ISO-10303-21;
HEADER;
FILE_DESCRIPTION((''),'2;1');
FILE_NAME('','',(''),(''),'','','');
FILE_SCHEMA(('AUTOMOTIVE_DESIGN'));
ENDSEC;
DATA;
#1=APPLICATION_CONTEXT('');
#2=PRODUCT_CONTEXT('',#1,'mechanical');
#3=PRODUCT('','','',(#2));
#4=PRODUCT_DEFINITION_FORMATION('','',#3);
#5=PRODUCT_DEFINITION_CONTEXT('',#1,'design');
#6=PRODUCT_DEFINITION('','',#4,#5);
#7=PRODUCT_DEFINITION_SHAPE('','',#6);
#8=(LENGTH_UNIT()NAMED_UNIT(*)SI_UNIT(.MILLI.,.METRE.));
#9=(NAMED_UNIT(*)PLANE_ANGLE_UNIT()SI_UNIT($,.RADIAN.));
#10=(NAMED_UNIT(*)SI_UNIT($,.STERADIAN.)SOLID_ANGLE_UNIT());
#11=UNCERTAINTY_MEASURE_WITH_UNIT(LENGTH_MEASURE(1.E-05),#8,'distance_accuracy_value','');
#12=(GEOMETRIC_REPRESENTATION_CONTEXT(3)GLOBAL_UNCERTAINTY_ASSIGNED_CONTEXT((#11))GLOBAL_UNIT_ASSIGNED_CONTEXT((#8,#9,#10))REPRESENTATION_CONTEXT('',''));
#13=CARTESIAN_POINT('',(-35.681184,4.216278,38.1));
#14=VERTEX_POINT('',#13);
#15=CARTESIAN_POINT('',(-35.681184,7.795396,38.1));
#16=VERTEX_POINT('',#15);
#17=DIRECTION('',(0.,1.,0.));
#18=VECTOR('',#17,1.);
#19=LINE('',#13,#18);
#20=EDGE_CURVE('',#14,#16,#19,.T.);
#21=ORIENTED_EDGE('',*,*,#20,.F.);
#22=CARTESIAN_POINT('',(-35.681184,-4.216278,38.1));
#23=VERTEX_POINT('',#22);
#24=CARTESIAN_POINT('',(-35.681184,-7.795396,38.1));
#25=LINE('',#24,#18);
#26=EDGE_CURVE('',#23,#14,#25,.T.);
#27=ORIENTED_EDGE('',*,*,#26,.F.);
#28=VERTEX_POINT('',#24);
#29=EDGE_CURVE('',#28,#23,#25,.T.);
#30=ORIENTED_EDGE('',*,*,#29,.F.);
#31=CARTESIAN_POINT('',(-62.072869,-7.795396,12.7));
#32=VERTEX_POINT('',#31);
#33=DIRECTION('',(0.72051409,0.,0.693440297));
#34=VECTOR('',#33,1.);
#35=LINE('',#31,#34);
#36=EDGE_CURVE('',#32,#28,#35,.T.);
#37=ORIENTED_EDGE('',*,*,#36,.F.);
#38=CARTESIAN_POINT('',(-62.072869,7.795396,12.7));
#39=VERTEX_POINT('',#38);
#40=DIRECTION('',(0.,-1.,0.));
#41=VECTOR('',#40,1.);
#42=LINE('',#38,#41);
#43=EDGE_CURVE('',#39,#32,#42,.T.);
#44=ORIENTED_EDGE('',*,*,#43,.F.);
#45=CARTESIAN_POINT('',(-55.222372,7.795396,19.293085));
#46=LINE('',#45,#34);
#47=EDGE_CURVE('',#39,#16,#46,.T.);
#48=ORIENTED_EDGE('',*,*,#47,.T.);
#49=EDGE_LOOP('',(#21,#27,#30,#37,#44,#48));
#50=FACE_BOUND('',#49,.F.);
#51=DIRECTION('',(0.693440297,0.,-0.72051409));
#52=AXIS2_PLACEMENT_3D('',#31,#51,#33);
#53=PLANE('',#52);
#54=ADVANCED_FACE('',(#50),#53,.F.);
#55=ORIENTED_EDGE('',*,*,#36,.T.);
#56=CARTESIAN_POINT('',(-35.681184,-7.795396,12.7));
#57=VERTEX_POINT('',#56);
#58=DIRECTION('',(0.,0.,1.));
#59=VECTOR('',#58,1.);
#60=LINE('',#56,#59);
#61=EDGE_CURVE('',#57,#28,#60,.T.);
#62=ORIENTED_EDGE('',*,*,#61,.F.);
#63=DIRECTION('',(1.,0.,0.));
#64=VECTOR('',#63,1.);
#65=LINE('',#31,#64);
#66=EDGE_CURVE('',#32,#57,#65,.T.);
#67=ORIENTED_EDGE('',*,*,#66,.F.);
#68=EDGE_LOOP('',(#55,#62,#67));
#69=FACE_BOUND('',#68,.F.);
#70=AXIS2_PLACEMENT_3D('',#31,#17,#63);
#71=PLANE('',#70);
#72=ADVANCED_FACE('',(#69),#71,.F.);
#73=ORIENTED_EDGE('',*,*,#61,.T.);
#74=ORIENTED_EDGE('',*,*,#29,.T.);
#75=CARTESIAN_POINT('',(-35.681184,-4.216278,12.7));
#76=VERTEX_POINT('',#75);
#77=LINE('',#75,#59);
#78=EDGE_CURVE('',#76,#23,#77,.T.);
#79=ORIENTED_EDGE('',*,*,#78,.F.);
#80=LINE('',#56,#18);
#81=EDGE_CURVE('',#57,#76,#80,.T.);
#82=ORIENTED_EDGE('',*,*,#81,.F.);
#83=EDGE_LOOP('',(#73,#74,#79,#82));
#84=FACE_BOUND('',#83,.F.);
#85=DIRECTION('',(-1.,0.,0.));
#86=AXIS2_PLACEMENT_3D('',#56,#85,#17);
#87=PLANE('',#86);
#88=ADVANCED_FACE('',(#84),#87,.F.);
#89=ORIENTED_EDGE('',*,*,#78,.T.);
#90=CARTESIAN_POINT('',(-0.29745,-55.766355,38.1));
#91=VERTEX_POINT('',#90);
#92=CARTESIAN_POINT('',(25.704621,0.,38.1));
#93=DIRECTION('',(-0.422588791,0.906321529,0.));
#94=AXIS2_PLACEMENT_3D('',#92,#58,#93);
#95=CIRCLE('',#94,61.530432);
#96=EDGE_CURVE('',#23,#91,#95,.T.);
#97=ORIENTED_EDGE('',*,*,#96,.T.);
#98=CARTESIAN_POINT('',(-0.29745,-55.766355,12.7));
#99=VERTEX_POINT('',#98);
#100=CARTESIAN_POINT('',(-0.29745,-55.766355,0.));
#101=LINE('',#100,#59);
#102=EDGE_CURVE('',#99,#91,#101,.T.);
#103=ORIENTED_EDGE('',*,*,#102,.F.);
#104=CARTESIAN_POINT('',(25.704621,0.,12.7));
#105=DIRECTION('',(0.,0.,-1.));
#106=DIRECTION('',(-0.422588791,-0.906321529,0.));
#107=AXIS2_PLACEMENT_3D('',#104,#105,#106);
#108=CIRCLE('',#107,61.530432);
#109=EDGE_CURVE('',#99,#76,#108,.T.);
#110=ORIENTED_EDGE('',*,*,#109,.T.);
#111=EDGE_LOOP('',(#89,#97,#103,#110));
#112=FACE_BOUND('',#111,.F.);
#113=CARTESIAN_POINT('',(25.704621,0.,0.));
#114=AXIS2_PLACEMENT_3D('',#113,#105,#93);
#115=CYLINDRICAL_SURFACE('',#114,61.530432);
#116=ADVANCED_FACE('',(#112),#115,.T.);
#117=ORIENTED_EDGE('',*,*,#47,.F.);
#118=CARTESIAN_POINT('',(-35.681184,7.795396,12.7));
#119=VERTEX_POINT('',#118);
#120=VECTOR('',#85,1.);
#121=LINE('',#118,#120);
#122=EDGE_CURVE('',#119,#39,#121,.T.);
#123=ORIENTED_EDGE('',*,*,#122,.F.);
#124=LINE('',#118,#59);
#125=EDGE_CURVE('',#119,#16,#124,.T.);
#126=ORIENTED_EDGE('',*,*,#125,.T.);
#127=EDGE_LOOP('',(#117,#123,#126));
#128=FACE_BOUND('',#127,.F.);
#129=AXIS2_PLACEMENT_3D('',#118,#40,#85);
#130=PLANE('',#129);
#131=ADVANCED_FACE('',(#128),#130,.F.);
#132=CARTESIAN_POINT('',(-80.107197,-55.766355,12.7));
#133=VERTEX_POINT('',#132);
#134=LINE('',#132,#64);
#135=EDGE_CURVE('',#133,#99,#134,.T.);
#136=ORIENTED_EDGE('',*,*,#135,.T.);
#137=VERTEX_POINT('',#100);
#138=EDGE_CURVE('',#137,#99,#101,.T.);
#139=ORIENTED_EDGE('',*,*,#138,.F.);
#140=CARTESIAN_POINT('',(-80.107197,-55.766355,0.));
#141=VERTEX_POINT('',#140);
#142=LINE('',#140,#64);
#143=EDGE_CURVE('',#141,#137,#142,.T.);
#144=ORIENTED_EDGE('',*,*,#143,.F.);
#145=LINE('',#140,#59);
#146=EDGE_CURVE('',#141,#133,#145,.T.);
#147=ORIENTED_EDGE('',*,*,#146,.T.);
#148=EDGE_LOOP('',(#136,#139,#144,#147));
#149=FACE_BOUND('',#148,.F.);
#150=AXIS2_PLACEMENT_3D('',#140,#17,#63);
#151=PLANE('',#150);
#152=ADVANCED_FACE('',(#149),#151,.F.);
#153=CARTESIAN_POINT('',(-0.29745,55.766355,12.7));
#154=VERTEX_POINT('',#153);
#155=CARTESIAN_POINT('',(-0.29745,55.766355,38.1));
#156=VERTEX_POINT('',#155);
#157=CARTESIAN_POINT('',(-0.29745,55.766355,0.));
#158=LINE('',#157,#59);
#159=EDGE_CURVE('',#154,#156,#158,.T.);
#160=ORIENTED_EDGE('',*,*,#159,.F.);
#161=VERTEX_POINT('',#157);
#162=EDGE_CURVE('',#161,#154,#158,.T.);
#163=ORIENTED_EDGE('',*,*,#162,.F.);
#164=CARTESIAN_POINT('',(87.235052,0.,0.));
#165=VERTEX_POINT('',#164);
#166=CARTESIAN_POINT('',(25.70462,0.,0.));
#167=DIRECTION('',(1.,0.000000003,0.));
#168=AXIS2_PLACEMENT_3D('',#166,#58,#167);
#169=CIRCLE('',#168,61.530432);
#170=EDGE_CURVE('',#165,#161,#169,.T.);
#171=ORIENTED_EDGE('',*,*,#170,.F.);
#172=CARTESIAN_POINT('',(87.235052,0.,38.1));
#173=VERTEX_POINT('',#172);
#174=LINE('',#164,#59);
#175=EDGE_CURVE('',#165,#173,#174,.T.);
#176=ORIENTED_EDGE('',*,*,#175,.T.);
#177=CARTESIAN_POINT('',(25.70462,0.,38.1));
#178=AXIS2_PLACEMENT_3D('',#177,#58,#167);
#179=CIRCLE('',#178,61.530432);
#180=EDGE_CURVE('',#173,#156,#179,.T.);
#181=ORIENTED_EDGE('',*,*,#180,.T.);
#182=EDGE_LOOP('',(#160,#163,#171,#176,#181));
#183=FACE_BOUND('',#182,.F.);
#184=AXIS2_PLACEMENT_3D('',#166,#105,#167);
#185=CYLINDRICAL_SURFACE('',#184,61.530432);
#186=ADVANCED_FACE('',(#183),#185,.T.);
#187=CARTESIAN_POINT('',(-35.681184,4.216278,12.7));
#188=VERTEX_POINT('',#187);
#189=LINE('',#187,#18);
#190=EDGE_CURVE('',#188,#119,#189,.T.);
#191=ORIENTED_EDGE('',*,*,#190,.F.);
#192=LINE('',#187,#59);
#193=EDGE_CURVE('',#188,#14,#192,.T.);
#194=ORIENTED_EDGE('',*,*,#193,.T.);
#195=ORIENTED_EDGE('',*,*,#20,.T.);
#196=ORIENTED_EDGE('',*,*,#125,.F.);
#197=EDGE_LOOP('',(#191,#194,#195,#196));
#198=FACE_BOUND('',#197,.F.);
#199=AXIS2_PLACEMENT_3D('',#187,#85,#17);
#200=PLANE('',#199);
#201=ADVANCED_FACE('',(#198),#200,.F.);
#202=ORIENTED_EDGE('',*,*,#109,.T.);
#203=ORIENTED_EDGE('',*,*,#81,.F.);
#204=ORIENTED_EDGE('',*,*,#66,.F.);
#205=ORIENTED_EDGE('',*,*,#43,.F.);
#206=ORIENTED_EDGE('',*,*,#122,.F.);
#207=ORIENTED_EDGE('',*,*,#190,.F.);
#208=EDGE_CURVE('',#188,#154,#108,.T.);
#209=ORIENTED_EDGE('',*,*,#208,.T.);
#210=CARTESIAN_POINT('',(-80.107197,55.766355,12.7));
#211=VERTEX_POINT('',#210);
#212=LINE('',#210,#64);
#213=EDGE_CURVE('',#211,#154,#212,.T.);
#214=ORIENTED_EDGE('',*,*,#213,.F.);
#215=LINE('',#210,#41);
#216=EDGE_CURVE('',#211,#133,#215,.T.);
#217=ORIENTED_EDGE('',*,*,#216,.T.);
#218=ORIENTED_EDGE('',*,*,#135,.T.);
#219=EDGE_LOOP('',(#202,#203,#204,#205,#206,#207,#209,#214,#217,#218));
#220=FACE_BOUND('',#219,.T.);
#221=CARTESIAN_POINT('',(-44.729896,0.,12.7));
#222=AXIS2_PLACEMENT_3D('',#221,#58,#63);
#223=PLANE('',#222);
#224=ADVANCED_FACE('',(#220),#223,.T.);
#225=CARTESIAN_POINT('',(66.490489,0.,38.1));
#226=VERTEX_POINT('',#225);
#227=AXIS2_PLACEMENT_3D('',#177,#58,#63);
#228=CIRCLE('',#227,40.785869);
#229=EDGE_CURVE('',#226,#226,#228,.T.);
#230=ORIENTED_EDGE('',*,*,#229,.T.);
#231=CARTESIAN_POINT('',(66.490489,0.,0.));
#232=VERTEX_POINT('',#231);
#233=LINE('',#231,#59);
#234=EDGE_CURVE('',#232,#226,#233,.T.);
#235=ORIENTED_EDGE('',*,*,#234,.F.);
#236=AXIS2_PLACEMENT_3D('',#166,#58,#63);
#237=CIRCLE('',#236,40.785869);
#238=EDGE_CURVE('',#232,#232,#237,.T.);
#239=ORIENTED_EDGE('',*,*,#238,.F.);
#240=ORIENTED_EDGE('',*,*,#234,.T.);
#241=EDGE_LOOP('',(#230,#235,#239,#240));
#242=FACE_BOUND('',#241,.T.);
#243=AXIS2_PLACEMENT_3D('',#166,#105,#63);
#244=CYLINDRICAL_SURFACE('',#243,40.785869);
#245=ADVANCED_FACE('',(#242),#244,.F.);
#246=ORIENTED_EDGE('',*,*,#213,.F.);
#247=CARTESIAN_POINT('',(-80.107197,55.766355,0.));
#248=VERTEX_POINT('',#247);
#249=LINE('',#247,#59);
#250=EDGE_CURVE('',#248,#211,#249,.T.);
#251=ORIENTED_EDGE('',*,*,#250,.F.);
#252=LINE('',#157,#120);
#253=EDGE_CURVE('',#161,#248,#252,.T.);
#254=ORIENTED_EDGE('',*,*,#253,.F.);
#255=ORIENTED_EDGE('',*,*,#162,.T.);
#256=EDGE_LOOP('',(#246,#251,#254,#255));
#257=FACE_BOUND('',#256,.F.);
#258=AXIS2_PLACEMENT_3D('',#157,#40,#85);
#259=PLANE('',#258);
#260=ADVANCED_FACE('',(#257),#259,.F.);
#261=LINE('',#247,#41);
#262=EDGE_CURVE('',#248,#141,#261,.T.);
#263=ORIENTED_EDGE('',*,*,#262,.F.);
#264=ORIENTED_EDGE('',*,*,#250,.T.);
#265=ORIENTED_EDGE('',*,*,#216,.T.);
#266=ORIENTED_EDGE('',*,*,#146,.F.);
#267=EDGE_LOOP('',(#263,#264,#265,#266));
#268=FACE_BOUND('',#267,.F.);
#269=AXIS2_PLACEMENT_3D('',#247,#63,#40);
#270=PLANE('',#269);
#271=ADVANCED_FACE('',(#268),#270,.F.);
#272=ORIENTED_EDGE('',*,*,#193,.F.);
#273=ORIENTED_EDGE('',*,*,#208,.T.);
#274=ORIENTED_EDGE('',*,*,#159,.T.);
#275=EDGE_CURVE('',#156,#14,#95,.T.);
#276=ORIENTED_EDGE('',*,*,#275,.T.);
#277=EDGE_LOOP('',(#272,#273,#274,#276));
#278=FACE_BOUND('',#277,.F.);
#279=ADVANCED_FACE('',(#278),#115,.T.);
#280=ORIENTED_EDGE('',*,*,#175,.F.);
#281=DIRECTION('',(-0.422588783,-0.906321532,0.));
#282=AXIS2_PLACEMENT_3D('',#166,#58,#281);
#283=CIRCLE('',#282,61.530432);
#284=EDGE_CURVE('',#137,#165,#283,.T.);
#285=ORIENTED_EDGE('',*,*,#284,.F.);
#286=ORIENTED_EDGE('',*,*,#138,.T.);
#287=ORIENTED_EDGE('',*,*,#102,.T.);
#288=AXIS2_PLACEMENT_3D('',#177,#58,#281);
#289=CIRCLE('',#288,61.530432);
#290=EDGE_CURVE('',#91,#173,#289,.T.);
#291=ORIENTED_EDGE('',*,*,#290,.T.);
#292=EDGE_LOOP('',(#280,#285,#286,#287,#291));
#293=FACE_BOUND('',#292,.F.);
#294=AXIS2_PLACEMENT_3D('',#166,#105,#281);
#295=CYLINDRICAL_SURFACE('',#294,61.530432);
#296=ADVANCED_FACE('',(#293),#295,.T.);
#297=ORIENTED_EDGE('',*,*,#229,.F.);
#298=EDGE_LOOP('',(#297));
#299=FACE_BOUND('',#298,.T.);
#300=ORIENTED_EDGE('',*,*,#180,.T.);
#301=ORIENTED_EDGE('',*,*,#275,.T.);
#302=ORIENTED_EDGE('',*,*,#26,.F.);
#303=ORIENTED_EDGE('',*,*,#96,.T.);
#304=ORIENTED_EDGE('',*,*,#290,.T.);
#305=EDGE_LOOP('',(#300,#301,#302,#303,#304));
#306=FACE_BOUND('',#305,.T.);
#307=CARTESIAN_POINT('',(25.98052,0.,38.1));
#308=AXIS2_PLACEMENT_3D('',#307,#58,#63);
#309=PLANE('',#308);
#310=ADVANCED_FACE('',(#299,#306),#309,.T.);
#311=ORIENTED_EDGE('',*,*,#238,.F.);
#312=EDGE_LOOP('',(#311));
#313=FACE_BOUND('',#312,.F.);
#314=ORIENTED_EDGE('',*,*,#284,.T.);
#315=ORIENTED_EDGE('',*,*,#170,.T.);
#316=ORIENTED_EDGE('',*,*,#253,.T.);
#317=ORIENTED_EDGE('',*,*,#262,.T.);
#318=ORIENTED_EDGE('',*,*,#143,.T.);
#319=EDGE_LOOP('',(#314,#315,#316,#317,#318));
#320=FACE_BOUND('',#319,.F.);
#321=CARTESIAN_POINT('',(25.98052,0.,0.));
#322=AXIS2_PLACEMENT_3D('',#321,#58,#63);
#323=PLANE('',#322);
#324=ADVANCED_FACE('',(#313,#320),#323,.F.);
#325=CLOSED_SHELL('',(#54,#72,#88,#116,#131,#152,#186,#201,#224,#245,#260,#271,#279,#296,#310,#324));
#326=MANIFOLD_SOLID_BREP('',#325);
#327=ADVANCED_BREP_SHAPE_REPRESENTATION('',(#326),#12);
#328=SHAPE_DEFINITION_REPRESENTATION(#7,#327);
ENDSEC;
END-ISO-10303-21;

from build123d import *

# Parameters (mm, degrees)
F1_DEPTH = 12.7
F0_R     = 40.785869
F2_DEPTH = 38.1
F4_DEPTH = 25.4
F6_DEPTH = 69.326828


with BuildPart() as f1:
    # F0 (on Top) → F1 (new body)
    with BuildSketch(Plane.XY):
        with BuildLine():
            Line((-0.29745, 55.766355), (-80.107197, 55.766355))
            Line((-80.107197, 55.766355), (-80.107197, -55.766355))
            Line((-80.107197, -55.766355), (-0.29745, -55.766355))
            ThreePointArc((-0.29745, -55.766355), (-35.825811, 0), (-0.29745, 55.766355))
        make_face()
    extrude(amount=F1_DEPTH)

    # F0 (on Top) → F2 (join)
    with BuildSketch(Plane.XY):
        with BuildLine():
            ThreePointArc((87.235052, 0), (58.765741, 51.893702), (-0.29745, 55.766355))
            ThreePointArc((-0.29745, 55.766355), (-35.825811, 0), (-0.29745, -55.766355))
            ThreePointArc((-0.29745, -55.766355), (58.765741, -51.893702), (87.235052, 0))
        make_face()
        with Locations((25.70462, 0)):
            Circle(F0_R, mode=Mode.SUBTRACT)
    extrude(amount=F2_DEPTH)

    # F3 (on face) → F4 (join)
    with BuildSketch(Plane.XY.offset(12.7)):
        with BuildLine():
            Line((-35.681184, 7.795396), (-62.072869, 7.795396))
            Line((-62.072869, 7.795396), (-62.072869, -7.795396))
            Line((-62.072869, -7.795396), (-35.681184, -7.795396))
            Line((-35.681184, -7.795396), (-35.681184, -4.216278))
            ThreePointArc((-35.681184, -4.216278), (-35.825811, 0), (-35.681184, 4.216278))
            Line((-35.681184, 4.216278), (-35.681184, 7.795396))
        make_face()
    extrude(amount=F4_DEPTH)

    # F5 (on face) → F6 (cut, through all)
    with BuildSketch(Plane.XZ.offset(7.795396)):
        Polygon((-62.072869, 38.1), (-62.072869, 12.7), (-35.681184, 38.1), align=None)
    extrude(amount=-F6_DEPTH, mode=Mode.SUBTRACT)


solid = f1.part
